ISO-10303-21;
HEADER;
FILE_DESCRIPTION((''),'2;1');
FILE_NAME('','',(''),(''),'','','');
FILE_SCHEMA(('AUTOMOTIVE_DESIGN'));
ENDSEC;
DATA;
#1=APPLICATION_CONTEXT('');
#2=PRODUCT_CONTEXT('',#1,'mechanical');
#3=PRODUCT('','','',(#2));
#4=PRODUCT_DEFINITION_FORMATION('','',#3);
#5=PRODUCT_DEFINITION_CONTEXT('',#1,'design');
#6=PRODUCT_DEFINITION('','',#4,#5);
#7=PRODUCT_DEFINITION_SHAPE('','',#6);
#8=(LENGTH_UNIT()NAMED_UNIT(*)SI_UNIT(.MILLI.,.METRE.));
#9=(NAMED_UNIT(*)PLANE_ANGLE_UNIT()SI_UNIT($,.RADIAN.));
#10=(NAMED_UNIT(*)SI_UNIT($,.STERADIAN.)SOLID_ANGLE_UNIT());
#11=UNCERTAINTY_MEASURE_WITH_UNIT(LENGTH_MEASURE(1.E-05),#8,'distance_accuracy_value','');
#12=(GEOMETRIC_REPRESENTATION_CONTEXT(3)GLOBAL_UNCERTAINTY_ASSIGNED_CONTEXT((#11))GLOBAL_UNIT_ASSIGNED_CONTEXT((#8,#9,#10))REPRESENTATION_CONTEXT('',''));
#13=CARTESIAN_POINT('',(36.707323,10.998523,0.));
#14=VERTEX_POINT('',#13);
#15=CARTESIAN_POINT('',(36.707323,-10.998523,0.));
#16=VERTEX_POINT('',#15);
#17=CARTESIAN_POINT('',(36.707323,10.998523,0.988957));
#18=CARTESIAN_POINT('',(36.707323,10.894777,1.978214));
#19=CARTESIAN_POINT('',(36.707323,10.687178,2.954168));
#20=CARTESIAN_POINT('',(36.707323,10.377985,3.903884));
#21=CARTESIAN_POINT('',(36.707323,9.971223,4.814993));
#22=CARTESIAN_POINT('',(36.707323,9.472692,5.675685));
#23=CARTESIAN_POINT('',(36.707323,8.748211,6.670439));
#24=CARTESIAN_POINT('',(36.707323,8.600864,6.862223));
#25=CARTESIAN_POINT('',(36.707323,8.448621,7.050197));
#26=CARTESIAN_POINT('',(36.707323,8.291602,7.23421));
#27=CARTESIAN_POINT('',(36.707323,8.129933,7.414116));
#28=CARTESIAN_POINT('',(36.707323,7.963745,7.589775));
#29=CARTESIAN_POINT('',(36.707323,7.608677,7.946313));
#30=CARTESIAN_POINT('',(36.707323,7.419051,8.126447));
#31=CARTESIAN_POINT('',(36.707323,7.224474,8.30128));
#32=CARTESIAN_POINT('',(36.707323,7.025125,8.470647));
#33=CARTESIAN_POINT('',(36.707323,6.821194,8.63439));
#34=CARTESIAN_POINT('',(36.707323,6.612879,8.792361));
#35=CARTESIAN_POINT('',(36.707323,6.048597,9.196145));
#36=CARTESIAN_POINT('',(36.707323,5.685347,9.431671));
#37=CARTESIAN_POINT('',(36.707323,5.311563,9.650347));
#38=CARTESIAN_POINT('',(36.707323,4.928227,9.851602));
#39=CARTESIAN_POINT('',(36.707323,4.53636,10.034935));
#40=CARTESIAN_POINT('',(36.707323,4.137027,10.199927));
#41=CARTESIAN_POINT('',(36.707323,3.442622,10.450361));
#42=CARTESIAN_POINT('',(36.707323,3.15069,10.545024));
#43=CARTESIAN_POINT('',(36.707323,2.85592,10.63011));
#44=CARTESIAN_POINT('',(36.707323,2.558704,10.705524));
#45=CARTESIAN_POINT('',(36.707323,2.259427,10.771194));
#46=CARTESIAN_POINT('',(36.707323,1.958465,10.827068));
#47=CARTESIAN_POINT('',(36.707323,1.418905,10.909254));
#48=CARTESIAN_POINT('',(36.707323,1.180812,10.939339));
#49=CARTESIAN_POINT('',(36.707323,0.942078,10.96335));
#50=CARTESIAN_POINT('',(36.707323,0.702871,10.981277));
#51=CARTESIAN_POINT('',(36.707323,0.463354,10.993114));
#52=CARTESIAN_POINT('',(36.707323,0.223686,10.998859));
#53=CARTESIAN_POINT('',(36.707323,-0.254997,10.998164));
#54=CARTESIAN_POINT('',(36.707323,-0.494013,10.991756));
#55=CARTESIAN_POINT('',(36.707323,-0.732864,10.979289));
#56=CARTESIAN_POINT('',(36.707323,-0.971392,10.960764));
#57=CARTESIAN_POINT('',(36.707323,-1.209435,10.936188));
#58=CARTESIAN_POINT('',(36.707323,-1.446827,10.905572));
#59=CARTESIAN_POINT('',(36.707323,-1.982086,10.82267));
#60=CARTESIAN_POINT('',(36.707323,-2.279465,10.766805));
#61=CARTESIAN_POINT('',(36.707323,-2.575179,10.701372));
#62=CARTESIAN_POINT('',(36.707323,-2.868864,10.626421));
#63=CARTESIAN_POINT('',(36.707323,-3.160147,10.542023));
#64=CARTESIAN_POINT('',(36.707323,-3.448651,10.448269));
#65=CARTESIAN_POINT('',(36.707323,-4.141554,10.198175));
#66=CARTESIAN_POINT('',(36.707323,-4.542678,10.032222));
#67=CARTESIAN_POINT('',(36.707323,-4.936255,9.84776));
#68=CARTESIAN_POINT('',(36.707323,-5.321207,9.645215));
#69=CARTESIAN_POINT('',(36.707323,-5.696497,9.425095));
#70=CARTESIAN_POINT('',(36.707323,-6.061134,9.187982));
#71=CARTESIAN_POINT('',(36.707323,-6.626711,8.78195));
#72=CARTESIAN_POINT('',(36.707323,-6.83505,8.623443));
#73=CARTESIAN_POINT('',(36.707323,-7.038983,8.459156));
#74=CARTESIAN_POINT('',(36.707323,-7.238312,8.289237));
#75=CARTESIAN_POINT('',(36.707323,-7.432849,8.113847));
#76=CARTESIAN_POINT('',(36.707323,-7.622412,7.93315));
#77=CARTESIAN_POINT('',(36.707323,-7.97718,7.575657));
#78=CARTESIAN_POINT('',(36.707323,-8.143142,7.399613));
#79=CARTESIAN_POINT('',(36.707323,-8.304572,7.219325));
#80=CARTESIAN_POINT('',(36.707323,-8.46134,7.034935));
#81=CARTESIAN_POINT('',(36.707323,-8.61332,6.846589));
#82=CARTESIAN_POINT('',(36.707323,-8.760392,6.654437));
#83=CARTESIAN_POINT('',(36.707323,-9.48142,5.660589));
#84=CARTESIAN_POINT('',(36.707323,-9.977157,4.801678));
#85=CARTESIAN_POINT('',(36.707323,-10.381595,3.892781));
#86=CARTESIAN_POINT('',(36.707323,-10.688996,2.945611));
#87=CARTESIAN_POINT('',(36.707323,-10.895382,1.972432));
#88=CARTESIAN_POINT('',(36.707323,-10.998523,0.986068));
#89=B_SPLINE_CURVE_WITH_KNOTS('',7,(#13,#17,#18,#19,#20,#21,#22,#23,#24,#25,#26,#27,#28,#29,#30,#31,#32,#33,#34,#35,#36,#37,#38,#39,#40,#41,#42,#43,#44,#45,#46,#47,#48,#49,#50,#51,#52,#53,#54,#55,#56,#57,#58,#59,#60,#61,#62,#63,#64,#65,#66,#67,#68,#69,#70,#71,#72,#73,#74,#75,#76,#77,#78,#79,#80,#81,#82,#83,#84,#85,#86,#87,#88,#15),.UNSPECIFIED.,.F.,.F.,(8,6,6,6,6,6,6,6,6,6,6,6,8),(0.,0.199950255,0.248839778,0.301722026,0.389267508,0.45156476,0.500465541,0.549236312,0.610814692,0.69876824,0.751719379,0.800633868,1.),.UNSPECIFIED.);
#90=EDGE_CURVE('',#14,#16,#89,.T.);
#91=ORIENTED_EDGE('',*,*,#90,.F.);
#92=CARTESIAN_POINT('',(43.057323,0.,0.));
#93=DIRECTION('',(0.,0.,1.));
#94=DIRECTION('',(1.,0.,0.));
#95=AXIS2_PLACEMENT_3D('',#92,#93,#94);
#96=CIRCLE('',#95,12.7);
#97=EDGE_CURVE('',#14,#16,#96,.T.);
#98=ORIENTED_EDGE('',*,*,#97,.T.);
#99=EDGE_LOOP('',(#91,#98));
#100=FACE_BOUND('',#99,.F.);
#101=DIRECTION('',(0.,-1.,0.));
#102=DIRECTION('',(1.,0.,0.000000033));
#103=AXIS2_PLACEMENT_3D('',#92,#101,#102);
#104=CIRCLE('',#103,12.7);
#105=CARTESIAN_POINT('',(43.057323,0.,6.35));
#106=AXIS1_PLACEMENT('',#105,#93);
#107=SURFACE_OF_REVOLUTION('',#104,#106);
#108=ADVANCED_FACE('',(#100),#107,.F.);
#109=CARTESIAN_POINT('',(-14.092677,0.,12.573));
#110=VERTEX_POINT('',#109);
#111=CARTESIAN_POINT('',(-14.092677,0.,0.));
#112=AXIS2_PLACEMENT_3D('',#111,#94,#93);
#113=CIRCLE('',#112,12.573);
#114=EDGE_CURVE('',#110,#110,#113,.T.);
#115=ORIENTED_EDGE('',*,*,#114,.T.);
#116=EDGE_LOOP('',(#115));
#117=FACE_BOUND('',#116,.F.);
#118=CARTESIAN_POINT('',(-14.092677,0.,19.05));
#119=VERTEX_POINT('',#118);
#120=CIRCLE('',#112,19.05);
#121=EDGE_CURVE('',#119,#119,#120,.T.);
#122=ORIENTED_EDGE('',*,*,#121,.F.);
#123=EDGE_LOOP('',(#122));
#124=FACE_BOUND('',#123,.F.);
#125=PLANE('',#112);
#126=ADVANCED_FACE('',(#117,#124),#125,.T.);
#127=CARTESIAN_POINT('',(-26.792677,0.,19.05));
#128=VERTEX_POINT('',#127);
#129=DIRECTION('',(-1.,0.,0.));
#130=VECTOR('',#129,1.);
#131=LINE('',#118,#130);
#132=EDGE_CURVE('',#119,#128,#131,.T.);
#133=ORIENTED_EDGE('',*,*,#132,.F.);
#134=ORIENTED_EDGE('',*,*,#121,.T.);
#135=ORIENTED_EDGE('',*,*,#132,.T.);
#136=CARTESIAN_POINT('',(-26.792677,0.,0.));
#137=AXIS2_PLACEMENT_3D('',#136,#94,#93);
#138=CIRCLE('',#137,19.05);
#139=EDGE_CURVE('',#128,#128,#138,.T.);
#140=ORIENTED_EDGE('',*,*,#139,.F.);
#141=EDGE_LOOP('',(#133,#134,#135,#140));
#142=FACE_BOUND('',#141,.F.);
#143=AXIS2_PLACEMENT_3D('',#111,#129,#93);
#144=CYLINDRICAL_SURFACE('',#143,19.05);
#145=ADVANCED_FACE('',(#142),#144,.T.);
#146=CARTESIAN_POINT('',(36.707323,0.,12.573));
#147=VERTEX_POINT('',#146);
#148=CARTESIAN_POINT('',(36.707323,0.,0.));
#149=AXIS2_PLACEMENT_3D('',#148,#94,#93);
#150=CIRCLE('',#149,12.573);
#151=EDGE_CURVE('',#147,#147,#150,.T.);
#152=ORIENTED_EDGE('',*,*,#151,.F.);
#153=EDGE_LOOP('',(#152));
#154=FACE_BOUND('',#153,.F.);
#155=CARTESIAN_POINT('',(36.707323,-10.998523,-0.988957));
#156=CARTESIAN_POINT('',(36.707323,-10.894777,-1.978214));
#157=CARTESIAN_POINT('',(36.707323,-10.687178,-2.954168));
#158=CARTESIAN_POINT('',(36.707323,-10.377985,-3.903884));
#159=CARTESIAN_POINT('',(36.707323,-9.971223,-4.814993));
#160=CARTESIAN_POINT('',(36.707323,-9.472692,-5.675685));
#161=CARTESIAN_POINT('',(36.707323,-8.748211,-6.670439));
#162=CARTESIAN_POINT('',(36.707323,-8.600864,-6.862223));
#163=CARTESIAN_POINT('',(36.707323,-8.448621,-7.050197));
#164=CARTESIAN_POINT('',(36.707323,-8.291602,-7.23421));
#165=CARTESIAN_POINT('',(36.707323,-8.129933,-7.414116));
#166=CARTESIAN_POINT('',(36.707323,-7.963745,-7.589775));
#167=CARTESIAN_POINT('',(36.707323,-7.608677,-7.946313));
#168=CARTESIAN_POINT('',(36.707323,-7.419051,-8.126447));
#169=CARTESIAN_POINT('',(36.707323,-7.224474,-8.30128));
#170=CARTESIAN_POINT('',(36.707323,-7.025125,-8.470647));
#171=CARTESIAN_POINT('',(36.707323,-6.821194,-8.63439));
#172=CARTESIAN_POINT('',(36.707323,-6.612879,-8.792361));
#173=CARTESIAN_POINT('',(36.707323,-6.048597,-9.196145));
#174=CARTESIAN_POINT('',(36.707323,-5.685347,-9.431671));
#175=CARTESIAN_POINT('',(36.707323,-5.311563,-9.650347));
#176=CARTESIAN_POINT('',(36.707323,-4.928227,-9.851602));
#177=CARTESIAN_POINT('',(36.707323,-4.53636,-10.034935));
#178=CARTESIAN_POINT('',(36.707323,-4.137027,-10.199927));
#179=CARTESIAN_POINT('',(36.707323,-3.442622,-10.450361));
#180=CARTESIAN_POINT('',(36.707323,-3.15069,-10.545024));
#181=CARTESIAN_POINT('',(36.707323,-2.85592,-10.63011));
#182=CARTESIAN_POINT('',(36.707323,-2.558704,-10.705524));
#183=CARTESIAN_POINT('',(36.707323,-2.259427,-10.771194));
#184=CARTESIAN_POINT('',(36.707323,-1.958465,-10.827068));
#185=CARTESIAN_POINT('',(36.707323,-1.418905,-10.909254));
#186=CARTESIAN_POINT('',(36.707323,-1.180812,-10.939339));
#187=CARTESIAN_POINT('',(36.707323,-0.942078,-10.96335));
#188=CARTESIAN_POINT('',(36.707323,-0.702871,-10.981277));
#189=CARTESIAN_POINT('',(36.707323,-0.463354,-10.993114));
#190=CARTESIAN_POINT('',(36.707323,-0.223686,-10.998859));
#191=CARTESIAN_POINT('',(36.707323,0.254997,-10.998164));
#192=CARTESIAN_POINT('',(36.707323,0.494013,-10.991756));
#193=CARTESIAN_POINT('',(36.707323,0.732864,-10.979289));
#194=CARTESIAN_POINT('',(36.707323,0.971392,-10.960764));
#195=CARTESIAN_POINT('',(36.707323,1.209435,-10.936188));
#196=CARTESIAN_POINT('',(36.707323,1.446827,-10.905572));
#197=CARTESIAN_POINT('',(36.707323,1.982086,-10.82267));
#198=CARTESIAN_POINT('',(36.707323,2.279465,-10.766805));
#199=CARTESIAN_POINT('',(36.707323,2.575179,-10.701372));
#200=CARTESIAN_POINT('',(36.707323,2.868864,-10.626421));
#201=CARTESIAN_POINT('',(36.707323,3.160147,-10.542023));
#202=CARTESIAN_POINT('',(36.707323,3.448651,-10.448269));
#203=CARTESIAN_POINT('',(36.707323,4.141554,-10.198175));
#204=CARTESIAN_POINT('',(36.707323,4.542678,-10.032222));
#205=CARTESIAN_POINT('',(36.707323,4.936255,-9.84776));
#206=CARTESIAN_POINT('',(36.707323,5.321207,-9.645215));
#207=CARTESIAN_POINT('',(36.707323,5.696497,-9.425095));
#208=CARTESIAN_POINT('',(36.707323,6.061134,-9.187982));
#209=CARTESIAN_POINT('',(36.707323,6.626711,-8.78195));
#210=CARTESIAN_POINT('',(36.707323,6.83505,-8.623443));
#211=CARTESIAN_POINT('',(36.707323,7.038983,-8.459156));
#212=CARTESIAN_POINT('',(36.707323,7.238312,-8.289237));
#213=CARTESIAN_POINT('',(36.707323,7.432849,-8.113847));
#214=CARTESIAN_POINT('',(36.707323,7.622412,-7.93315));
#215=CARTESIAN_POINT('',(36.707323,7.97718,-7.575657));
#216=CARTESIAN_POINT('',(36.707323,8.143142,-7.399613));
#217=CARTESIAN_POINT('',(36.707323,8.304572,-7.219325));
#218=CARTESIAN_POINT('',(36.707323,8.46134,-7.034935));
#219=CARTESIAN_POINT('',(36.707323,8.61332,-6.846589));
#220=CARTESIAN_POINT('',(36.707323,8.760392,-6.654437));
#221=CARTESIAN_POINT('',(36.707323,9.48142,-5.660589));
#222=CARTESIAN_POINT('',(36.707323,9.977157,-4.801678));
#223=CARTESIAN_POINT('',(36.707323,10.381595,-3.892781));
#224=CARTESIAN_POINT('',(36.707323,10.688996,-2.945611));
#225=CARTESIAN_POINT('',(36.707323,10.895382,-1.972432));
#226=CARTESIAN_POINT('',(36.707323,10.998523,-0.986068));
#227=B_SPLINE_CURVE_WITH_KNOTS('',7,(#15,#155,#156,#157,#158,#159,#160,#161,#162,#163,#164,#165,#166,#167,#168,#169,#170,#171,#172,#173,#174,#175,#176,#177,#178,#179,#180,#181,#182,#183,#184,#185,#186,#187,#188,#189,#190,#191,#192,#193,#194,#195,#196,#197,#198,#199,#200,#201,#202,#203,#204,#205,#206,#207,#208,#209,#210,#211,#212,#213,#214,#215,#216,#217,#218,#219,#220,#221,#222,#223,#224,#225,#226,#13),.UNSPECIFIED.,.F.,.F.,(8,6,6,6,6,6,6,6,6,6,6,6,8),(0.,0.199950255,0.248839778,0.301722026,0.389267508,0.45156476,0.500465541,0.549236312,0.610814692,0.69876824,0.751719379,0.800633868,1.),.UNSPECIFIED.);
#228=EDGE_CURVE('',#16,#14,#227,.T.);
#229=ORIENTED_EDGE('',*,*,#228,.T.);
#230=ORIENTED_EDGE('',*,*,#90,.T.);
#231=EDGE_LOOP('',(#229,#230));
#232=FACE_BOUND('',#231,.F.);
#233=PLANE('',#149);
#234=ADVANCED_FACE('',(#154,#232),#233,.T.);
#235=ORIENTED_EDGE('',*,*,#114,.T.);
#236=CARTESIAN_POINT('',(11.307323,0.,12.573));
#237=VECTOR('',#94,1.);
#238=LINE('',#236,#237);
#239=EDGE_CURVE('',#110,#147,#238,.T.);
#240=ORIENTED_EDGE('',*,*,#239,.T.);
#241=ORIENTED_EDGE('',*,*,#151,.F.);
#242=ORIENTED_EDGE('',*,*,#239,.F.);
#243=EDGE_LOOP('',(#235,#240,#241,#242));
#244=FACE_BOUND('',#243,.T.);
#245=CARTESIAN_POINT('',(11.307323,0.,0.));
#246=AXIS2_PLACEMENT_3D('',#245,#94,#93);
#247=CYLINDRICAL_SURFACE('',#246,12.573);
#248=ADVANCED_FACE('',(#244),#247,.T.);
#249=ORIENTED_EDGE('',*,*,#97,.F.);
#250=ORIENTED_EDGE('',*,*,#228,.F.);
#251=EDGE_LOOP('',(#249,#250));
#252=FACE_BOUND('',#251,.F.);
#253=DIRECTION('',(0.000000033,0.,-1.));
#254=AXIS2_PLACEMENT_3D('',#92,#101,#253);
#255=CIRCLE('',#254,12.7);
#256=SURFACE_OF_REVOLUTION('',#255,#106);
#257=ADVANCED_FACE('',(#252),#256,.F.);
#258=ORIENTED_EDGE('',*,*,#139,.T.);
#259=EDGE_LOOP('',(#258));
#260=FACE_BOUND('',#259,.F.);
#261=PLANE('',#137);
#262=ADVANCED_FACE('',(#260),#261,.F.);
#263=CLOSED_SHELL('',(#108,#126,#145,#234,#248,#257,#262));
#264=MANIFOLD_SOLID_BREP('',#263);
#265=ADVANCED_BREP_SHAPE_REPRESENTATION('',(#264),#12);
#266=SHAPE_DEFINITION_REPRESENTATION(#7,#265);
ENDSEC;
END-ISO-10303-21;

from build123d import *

# Parameters (mm, degrees)
F0_W = 50.8
F0_H = 12.573


with BuildPart() as f1:
    # F0 (on Front) → F1 (revolve)
    with BuildSketch(Plane.XZ):
        with Locations((11.307323, 6.2865)):
            Rectangle(F0_W, F0_H)
        Polygon((-26.792677, 0), (-14.092677, 0), (-14.092677, 12.573), (-14.092677, 19.05), (-26.792677, 19.05), align=None)
    revolve(axis=Axis((11.307323, 0, 0), (1, 0, 0)))

    # F2 (on Front) → F3 (revolve, cut)
    with BuildSketch(Plane.XZ):
        with BuildLine():
            ThreePointArc((43.057323, -12.7), (52.037579, -8.980256), (55.757323, 0))
            ThreePointArc((55.757323, 0), (52.037579, 8.980256), (43.057323, 12.7))
            Line((43.057323, 12.7), (43.057323, 0))
            Line((43.057323, 0), (43.057323, -12.7))
        make_face()
    revolve(axis=Axis((43.057323, 0, 6.35), (0, 0, 1)), mode=Mode.SUBTRACT)


solid = f1.part
